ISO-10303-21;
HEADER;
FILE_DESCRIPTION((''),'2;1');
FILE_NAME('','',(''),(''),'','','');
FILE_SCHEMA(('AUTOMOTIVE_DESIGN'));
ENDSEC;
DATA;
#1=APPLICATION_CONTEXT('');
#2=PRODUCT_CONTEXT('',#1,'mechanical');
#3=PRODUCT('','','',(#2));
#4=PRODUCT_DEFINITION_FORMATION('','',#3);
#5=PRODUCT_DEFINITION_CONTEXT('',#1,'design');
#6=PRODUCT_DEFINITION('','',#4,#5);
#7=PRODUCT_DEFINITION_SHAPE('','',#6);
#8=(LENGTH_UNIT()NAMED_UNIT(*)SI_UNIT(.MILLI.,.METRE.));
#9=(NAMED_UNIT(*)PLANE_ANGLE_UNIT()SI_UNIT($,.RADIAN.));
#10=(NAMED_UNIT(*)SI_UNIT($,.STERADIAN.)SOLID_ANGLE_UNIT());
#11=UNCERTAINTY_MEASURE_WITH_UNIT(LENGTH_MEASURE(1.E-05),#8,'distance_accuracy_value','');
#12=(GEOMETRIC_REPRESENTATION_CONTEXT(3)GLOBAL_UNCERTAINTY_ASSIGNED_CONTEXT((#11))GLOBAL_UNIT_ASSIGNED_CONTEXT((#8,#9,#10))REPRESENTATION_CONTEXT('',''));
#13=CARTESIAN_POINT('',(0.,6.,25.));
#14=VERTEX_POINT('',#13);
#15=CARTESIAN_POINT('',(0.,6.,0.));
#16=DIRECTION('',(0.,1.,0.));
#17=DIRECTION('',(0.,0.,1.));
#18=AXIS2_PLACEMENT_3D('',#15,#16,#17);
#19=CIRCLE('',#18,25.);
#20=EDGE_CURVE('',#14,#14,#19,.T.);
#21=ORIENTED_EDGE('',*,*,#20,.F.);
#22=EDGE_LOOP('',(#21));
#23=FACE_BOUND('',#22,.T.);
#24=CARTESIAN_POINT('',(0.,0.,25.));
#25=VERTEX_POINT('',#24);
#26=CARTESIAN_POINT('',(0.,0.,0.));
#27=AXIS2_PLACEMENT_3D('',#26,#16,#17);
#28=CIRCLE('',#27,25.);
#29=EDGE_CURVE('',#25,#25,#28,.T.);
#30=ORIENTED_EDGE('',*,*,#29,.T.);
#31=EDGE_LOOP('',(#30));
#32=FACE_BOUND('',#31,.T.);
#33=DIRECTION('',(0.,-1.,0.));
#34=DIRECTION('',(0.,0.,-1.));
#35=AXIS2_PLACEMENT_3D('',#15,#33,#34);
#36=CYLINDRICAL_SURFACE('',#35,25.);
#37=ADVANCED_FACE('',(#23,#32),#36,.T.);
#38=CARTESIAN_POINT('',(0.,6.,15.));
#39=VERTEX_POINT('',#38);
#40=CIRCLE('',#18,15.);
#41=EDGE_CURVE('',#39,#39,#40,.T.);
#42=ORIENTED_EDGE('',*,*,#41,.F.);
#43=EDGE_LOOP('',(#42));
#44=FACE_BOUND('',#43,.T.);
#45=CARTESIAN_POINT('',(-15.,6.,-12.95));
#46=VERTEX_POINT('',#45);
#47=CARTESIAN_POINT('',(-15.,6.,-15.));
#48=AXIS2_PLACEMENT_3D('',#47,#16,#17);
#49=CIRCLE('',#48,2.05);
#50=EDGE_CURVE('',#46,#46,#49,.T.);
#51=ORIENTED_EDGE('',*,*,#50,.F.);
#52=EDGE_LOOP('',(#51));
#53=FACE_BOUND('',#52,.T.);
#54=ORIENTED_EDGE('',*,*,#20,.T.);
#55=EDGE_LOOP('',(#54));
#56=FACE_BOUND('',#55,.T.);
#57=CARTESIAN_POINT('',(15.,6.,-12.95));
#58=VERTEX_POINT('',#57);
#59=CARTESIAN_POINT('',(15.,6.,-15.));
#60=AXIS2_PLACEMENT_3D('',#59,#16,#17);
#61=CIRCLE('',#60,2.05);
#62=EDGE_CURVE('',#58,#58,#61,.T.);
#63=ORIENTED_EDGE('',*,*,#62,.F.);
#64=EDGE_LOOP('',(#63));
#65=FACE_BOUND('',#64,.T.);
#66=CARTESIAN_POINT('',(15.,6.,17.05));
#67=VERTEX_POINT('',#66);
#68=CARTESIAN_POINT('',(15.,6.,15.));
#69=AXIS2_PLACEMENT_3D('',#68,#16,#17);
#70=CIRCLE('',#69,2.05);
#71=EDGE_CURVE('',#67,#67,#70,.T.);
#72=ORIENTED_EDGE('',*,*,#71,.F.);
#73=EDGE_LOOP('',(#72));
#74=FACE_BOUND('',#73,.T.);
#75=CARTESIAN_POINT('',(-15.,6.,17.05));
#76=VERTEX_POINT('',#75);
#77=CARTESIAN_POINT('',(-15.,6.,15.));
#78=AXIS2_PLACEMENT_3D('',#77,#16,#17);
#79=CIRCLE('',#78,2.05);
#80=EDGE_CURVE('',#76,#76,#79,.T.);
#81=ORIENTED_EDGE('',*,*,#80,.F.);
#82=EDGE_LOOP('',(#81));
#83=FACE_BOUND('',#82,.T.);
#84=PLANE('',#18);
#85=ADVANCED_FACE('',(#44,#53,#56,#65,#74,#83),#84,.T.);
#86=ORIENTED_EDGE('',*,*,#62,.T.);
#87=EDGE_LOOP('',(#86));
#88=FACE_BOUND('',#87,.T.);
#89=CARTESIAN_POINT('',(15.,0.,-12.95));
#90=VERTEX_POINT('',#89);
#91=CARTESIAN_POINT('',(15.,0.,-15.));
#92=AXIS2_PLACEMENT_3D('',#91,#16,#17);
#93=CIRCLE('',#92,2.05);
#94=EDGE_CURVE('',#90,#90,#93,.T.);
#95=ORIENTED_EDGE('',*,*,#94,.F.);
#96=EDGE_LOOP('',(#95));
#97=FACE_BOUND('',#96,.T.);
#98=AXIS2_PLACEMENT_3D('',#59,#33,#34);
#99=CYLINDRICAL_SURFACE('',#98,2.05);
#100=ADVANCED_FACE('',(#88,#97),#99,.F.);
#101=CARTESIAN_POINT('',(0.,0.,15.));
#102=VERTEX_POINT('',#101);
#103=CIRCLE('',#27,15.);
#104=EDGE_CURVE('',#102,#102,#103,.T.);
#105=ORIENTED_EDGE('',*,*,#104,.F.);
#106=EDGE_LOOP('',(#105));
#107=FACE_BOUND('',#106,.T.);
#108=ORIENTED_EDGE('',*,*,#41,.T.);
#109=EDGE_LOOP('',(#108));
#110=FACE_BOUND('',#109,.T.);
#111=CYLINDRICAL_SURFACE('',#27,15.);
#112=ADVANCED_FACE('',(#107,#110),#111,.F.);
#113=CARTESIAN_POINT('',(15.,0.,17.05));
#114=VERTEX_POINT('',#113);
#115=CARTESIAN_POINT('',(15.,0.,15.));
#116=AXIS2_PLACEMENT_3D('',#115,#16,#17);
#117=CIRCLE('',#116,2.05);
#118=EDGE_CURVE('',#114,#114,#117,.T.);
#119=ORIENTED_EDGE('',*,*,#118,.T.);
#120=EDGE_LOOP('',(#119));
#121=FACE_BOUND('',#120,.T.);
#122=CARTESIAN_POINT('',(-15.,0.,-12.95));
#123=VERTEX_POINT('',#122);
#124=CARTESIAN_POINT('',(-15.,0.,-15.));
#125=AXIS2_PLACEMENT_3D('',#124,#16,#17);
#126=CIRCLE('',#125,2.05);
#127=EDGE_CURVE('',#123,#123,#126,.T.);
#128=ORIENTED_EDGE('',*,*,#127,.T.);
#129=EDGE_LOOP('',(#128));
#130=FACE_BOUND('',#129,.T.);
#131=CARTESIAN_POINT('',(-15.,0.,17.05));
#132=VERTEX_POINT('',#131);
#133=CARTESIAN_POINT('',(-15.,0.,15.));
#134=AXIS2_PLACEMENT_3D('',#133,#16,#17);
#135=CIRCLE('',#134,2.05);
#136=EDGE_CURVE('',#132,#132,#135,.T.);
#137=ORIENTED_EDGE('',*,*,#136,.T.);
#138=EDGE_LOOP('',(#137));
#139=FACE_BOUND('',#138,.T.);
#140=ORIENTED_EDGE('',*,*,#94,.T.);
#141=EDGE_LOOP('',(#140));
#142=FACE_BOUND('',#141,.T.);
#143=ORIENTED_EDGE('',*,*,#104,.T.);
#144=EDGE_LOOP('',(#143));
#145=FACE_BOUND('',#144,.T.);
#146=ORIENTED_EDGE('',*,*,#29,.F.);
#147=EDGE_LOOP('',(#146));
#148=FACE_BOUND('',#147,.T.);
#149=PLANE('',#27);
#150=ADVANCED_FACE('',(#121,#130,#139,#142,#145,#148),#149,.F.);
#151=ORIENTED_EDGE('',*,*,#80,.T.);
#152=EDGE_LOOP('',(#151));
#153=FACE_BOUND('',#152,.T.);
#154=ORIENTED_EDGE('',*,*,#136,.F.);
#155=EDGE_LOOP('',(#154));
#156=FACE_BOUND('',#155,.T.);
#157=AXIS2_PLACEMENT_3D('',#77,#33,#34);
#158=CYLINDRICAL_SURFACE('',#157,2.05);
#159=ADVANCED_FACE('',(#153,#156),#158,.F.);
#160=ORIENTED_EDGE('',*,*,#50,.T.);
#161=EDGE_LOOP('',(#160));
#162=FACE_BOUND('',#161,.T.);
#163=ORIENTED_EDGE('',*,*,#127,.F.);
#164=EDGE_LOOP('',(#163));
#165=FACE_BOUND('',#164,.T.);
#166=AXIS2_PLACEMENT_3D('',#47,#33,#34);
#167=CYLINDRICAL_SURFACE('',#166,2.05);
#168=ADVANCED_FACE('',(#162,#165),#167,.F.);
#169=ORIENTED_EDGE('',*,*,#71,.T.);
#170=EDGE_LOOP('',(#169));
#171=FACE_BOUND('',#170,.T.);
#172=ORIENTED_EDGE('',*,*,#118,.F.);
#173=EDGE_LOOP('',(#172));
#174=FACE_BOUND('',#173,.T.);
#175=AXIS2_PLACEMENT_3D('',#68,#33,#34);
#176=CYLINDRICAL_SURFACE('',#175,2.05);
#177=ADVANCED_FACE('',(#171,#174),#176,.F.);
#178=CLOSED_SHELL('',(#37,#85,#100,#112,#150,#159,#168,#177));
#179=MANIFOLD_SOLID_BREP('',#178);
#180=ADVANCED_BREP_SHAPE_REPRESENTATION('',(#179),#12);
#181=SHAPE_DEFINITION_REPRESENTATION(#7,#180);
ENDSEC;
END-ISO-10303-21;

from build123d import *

# Parameters (mm, degrees)
SKETCH_1_R          = 25
SKETCH_1_R_2        = 2.05
EXTRUDE_1_DEPTH     = 6
SKETCH_2_R          = 15
CUT_EXTRUDE_1_DEPTH = 36.860842154


with BuildPart() as part:
    # 草图1 → 凸台-拉伸1 (new body)
    with BuildSketch(Plane(origin=(0, 0, 0), x_dir=(1, 0, 0), z_dir=(0, 1, 0))):
        with Locations(Location((0, 0, 0), (0, 0, 270))):
            Circle(SKETCH_1_R)
        with Locations(Location((-15, 15, 0), (0, 0, 270))):
            Circle(SKETCH_1_R_2, mode=Mode.SUBTRACT)
        with Locations(Location((15, 15, 0), (0, 0, 270))):
            Circle(SKETCH_1_R_2, mode=Mode.SUBTRACT)
        with Locations(Location((15, -15, 0), (0, 0, 270))):
            Circle(SKETCH_1_R_2, mode=Mode.SUBTRACT)
        with Locations(Location((-15, -15, 0), (0, 0, 270))):
            Circle(SKETCH_1_R_2, mode=Mode.SUBTRACT)
    extrude(amount=EXTRUDE_1_DEPTH)

    # 草图2 → 切除-拉伸1 (cut, through all)
    with BuildSketch(Plane(origin=(0, 6, 0), x_dir=(1, 0, 0), z_dir=(0, 1, 0))):
        with Locations(Location((0, 0, 0), (0, 0, 270))):
            Circle(SKETCH_2_R)
    extrude(amount=-CUT_EXTRUDE_1_DEPTH, mode=Mode.SUBTRACT)


solid = part.part
